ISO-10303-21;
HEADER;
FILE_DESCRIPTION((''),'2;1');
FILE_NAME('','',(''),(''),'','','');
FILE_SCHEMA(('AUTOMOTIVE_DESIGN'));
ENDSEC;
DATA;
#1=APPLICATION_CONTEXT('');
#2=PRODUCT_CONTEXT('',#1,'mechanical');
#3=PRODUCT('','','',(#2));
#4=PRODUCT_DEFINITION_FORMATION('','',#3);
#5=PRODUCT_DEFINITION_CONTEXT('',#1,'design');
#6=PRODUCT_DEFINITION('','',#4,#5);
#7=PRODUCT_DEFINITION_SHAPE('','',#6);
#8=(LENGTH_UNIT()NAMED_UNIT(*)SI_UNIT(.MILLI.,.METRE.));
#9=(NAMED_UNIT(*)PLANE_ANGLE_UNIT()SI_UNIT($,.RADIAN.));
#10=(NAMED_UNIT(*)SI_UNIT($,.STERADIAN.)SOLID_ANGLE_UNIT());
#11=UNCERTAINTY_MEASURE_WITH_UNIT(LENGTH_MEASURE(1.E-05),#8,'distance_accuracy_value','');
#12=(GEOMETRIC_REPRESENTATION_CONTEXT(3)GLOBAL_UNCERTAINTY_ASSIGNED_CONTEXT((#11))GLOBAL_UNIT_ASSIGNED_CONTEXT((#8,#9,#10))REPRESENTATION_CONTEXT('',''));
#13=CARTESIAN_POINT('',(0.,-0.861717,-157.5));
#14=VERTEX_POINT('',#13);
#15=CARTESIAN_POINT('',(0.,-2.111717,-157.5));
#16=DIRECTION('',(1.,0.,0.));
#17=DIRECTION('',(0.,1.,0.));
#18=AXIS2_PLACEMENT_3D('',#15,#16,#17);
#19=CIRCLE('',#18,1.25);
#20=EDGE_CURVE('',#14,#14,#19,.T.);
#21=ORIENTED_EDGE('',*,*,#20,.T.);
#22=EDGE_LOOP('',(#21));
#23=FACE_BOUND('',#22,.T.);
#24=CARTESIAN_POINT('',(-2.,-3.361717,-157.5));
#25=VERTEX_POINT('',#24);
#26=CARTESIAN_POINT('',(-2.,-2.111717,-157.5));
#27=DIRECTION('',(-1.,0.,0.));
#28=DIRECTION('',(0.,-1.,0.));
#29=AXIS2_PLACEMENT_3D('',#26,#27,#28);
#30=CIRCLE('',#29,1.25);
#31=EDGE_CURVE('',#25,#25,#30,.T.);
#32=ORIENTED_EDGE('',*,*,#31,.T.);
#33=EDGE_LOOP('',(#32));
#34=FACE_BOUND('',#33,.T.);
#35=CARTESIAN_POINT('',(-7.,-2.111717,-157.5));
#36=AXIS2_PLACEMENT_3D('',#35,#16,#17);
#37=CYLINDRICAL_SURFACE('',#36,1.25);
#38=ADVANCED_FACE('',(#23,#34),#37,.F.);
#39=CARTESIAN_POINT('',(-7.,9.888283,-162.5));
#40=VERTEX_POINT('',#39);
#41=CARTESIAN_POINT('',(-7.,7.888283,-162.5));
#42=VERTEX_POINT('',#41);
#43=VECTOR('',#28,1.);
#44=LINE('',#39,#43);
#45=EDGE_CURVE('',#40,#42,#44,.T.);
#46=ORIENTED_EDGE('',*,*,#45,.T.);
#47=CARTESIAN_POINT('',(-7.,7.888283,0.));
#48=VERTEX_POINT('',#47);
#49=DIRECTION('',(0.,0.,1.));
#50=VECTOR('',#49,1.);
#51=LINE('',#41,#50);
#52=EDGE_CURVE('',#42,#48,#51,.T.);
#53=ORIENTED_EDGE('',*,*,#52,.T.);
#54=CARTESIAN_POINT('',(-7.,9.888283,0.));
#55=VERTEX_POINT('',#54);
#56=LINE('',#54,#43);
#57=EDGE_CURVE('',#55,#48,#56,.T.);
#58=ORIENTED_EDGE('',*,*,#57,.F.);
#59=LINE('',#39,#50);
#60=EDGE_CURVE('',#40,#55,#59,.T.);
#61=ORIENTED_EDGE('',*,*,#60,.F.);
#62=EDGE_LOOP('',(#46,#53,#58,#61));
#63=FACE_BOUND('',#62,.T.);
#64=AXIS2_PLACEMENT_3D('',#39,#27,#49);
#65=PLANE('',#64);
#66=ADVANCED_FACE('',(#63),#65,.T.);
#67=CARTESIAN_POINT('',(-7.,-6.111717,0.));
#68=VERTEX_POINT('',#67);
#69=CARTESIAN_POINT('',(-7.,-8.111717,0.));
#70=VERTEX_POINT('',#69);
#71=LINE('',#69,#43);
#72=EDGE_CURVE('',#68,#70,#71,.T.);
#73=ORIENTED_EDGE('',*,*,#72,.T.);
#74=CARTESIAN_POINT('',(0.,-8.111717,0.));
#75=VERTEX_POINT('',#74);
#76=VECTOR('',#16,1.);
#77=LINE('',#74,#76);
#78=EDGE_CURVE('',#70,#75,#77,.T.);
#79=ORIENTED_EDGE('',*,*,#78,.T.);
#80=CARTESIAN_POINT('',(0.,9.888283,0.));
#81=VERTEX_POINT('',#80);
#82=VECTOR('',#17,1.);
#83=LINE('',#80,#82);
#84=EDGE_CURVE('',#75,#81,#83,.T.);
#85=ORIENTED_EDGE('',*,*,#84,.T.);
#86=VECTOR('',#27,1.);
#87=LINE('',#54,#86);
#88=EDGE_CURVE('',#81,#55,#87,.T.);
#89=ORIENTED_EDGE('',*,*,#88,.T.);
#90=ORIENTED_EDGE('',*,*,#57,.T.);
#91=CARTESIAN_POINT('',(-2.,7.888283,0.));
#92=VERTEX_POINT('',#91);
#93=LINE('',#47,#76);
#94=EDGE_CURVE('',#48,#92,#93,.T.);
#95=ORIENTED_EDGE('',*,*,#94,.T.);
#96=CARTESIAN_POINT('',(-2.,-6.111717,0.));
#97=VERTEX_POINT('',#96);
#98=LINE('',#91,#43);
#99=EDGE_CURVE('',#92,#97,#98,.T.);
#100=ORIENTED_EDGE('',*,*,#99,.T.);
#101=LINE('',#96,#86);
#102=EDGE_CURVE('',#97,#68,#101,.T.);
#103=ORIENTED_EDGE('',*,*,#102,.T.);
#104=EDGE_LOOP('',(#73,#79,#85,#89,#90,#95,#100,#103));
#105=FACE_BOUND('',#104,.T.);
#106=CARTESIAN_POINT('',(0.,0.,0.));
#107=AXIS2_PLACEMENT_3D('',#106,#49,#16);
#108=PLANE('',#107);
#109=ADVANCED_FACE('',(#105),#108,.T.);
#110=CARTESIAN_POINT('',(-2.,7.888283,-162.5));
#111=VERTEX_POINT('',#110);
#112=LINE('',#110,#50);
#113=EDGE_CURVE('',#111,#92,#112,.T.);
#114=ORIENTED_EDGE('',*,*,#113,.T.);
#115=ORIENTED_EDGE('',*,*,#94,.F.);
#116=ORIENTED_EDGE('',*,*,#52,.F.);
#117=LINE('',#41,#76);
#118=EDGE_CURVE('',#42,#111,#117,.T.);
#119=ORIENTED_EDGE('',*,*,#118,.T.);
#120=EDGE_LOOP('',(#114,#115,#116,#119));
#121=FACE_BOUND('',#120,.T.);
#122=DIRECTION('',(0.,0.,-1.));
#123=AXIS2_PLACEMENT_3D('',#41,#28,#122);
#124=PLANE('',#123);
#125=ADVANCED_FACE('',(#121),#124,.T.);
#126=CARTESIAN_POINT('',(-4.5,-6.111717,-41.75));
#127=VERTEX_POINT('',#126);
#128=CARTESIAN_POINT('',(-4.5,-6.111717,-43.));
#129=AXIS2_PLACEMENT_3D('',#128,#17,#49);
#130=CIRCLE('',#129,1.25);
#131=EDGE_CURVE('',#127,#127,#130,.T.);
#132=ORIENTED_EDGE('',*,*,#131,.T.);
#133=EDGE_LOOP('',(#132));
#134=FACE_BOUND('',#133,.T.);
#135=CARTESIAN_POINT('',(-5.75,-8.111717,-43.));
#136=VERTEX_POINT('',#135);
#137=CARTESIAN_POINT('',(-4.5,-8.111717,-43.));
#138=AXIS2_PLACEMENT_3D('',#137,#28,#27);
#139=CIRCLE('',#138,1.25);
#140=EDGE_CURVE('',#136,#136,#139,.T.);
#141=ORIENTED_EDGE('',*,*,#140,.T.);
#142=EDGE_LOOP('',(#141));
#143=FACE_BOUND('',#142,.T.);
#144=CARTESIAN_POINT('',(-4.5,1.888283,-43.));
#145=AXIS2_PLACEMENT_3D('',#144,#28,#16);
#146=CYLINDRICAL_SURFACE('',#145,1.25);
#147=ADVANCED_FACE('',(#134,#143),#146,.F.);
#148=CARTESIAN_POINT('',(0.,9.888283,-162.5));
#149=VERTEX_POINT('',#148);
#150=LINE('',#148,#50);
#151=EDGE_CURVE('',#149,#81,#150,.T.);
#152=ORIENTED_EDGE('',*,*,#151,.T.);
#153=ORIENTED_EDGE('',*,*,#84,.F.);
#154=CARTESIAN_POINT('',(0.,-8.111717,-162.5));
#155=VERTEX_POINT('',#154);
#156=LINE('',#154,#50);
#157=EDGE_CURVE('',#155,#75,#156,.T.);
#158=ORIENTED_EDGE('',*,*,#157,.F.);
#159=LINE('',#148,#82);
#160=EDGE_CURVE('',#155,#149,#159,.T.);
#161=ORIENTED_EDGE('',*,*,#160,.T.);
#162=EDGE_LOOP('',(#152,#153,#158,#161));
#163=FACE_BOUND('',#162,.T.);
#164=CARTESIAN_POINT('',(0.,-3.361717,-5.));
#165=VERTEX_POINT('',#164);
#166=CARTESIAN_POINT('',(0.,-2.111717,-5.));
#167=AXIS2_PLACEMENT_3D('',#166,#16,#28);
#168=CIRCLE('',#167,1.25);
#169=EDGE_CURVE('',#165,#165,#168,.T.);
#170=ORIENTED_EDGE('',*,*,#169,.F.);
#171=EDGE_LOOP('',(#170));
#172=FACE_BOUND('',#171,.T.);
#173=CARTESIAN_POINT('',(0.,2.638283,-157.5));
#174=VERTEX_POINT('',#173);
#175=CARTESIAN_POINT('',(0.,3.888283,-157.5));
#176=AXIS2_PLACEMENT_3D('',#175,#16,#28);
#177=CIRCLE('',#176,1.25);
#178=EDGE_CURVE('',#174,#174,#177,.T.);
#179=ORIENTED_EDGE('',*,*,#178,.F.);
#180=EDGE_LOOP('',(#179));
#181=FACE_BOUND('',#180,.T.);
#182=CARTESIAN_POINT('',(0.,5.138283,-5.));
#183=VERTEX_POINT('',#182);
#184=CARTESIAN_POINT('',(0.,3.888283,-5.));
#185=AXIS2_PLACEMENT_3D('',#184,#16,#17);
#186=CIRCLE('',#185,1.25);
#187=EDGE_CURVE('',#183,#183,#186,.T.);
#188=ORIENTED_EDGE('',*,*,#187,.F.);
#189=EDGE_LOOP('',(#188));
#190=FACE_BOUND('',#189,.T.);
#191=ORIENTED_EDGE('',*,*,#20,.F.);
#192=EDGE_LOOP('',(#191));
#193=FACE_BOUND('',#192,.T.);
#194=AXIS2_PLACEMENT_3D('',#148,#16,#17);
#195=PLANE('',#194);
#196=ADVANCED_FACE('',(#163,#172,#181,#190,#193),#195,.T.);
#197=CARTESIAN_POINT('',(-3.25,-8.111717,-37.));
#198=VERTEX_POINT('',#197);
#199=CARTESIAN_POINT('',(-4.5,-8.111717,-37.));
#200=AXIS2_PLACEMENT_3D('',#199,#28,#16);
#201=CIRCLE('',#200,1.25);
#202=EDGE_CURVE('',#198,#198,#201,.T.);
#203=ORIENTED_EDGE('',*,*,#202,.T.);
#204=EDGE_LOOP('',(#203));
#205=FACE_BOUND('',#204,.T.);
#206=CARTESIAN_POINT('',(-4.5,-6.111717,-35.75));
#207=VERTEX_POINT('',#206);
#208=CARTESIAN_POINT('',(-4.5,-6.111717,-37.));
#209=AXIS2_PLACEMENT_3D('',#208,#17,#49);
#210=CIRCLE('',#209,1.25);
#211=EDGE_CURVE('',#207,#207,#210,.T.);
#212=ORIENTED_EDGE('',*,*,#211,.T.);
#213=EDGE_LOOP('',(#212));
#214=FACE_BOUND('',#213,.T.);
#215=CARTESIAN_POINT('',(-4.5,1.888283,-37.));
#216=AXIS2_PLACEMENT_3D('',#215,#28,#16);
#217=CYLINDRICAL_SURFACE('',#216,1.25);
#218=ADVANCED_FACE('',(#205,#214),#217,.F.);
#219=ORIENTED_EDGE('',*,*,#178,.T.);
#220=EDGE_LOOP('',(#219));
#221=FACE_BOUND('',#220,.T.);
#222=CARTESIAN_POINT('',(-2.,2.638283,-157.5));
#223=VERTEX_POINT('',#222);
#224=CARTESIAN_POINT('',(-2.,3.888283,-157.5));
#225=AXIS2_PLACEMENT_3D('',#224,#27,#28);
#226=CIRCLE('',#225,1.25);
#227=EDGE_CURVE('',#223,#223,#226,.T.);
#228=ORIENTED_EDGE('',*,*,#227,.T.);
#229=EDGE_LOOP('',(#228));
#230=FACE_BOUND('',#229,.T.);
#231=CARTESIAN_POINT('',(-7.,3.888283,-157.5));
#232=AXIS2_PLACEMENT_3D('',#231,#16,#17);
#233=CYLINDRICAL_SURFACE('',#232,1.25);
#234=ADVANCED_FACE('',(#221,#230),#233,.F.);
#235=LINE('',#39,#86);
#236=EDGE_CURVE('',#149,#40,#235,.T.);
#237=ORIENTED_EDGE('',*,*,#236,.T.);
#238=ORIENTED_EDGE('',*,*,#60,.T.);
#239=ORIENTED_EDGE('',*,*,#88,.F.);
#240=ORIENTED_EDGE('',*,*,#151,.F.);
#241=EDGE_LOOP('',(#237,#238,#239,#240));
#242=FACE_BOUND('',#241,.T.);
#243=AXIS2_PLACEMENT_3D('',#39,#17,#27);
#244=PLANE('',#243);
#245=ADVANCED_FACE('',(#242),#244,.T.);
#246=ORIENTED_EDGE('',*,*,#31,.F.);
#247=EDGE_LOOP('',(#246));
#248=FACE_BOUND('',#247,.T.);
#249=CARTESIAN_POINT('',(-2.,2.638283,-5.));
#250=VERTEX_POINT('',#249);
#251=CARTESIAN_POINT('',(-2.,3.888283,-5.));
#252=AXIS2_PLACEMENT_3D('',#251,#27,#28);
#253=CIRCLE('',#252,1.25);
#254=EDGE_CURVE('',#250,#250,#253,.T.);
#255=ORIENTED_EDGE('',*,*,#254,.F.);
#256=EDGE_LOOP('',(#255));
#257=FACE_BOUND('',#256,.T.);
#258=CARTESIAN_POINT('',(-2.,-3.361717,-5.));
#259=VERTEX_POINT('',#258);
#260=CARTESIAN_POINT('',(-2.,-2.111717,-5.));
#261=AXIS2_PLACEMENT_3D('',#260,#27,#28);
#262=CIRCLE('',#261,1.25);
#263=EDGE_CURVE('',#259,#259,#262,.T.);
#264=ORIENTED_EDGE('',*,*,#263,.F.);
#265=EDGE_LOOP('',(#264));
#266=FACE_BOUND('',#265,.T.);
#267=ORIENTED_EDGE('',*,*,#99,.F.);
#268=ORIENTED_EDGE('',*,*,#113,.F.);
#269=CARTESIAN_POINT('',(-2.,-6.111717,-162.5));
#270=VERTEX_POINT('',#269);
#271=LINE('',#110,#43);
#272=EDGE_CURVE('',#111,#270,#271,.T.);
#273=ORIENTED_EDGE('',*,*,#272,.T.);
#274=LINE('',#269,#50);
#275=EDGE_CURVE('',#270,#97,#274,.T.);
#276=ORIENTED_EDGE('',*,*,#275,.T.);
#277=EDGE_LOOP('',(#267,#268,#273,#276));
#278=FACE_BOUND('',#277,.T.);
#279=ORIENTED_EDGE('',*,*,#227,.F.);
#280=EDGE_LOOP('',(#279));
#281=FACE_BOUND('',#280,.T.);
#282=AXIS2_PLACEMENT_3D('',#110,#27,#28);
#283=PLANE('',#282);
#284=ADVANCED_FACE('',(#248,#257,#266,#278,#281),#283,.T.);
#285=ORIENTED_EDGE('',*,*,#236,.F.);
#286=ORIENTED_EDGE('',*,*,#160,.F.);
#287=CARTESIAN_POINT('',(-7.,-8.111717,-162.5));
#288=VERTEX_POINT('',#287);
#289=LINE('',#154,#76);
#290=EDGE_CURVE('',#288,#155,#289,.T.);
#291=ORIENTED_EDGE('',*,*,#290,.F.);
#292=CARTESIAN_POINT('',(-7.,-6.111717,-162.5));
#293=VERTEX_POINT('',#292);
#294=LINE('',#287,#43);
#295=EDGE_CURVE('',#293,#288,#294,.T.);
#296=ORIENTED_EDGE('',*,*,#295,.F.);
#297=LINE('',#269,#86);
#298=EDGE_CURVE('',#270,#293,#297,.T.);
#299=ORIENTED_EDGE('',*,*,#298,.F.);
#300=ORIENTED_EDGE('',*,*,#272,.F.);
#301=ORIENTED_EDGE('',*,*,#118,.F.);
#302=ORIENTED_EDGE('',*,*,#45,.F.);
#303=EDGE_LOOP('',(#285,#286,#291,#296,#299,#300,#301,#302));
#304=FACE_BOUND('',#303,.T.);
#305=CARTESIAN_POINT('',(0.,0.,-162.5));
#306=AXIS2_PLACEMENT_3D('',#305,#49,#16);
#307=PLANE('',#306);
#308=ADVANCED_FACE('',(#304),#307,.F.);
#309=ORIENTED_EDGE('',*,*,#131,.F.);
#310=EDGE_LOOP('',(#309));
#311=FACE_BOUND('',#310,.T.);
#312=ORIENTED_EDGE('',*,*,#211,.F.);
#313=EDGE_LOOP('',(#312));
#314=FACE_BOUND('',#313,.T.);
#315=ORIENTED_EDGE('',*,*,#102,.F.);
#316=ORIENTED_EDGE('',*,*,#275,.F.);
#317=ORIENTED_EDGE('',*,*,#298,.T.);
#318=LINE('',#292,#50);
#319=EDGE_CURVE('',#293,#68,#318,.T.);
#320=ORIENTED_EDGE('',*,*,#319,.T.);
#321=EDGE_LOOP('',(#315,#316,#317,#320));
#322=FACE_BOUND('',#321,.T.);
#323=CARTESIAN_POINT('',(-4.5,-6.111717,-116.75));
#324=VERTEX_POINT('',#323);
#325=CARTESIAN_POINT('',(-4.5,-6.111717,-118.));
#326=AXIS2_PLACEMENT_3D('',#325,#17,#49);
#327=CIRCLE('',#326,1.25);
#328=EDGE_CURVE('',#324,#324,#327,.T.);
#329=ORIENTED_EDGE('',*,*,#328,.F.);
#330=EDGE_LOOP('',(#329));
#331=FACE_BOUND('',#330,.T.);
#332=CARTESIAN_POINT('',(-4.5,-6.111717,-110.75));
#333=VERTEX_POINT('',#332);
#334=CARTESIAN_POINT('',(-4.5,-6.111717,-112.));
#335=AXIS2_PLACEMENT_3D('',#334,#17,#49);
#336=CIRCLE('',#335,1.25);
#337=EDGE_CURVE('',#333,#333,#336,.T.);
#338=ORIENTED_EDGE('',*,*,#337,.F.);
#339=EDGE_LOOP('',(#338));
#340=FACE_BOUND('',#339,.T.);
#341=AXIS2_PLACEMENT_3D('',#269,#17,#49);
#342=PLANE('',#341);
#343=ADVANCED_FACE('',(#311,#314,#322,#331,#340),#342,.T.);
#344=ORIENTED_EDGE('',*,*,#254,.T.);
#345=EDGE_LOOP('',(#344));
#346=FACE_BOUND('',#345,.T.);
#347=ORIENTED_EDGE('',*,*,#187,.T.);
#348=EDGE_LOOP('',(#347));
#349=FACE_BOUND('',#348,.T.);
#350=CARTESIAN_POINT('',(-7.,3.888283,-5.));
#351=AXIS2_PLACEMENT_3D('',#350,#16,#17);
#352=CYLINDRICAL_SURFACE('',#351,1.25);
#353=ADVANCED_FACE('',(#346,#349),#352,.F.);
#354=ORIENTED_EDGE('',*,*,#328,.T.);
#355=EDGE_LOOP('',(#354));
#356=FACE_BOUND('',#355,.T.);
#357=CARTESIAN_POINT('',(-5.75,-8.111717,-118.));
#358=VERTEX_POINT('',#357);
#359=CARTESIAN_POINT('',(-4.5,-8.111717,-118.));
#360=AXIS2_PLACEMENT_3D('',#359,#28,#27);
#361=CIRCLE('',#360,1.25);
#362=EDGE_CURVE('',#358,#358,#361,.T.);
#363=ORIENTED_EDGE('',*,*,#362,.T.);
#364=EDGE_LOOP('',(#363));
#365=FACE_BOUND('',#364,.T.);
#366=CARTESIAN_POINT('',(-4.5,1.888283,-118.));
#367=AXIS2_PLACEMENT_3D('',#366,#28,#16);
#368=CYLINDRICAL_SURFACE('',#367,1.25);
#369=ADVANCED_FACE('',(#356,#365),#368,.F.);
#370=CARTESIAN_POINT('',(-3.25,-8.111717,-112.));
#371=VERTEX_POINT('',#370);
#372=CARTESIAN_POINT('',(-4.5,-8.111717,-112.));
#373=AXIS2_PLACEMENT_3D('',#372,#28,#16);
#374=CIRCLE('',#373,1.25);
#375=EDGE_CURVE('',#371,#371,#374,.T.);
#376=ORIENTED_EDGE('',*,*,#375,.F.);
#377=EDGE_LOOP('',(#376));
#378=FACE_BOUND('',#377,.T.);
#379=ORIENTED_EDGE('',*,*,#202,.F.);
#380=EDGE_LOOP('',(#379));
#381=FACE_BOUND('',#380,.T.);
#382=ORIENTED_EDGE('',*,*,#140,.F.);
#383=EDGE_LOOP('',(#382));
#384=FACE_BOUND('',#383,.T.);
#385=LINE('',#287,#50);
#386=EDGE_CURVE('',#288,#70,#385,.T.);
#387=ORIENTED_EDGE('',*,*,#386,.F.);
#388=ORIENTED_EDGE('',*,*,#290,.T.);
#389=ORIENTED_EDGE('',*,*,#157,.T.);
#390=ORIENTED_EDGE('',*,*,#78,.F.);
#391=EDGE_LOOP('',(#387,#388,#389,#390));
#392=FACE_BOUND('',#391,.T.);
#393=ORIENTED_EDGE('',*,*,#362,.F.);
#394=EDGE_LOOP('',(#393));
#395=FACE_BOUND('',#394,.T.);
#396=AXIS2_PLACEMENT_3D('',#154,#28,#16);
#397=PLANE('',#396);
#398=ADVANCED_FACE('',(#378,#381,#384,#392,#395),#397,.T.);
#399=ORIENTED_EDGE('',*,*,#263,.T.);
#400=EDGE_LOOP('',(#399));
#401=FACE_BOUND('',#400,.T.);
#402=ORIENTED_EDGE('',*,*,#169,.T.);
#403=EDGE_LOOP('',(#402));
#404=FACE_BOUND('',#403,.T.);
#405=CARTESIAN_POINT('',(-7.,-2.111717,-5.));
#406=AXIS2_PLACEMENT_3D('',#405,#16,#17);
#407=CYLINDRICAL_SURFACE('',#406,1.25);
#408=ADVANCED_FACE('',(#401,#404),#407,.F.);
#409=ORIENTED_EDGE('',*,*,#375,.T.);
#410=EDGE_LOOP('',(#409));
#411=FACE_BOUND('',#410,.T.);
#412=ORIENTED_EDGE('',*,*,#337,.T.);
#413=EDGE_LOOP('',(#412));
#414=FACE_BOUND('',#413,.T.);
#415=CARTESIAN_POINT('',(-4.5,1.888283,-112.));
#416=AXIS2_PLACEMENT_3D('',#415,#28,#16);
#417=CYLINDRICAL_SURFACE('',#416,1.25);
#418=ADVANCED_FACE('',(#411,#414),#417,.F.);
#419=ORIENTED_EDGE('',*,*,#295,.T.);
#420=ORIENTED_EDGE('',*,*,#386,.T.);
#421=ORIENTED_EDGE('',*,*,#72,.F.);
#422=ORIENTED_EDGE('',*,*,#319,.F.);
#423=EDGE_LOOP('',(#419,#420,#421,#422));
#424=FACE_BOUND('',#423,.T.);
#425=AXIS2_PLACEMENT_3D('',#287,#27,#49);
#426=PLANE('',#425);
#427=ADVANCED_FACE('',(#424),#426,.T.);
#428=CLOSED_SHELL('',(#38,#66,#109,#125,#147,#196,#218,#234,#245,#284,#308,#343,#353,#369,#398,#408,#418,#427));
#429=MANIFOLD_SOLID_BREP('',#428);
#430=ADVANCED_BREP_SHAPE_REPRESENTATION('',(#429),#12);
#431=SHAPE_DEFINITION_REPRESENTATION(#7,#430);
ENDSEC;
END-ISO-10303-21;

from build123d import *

# Parameters (mm, degrees)
BOSS_EXTRUDE1_DEPTH = 162.5
SKETCH2_R           = 1.25
CUT_EXTRUDE1_DEPTH  = 8
SKETCH3_R           = 1.25
CUT_EXTRUDE2_DEPTH  = 10


with BuildPart() as part:
    # Sketch1 → Boss-Extrude1 (new body)
    with BuildSketch(Plane.XY):
        Polygon((-7, 9.888282785), (0, 9.888282785), (0, -8.111717215), (-7, -8.111717215), (-7, -6.111717215), (-2, -6.111717215), (-2, 7.888282785), (-7, 7.888282785), align=None)
    extrude(amount=-BOSS_EXTRUDE1_DEPTH)

    # Sketch2 → Cut-Extrude1 (cut, through all)
    with BuildSketch(Plane(origin=(0, 0, 0), x_dir=(0, 0, -1), z_dir=(1, 0, 0))):
        with Locations((5, 3.888282785)):
            Circle(SKETCH2_R)
        with Locations((5, -2.111717215)):
            Circle(SKETCH2_R)
        with Locations((157.5, -2.111717215)):
            Circle(SKETCH2_R)
        with Locations((157.5, 3.888282785)):
            Circle(SKETCH2_R)
    extrude(amount=-CUT_EXTRUDE1_DEPTH, mode=Mode.SUBTRACT)

    # Sketch3 → Cut-Extrude2 (cut)
    with BuildSketch(Plane.XZ.offset(8.111717215)):
        with Locations((-4.5, -37)):
            Circle(SKETCH3_R)
        with Locations((-4.5, -43)):
            Circle(SKETCH3_R)
        with Locations((-4.5, -112)):
            Circle(SKETCH3_R)
        with Locations((-4.5, -118)):
            Circle(SKETCH3_R)
    extrude(amount=-CUT_EXTRUDE2_DEPTH, mode=Mode.SUBTRACT)


solid = part.part
